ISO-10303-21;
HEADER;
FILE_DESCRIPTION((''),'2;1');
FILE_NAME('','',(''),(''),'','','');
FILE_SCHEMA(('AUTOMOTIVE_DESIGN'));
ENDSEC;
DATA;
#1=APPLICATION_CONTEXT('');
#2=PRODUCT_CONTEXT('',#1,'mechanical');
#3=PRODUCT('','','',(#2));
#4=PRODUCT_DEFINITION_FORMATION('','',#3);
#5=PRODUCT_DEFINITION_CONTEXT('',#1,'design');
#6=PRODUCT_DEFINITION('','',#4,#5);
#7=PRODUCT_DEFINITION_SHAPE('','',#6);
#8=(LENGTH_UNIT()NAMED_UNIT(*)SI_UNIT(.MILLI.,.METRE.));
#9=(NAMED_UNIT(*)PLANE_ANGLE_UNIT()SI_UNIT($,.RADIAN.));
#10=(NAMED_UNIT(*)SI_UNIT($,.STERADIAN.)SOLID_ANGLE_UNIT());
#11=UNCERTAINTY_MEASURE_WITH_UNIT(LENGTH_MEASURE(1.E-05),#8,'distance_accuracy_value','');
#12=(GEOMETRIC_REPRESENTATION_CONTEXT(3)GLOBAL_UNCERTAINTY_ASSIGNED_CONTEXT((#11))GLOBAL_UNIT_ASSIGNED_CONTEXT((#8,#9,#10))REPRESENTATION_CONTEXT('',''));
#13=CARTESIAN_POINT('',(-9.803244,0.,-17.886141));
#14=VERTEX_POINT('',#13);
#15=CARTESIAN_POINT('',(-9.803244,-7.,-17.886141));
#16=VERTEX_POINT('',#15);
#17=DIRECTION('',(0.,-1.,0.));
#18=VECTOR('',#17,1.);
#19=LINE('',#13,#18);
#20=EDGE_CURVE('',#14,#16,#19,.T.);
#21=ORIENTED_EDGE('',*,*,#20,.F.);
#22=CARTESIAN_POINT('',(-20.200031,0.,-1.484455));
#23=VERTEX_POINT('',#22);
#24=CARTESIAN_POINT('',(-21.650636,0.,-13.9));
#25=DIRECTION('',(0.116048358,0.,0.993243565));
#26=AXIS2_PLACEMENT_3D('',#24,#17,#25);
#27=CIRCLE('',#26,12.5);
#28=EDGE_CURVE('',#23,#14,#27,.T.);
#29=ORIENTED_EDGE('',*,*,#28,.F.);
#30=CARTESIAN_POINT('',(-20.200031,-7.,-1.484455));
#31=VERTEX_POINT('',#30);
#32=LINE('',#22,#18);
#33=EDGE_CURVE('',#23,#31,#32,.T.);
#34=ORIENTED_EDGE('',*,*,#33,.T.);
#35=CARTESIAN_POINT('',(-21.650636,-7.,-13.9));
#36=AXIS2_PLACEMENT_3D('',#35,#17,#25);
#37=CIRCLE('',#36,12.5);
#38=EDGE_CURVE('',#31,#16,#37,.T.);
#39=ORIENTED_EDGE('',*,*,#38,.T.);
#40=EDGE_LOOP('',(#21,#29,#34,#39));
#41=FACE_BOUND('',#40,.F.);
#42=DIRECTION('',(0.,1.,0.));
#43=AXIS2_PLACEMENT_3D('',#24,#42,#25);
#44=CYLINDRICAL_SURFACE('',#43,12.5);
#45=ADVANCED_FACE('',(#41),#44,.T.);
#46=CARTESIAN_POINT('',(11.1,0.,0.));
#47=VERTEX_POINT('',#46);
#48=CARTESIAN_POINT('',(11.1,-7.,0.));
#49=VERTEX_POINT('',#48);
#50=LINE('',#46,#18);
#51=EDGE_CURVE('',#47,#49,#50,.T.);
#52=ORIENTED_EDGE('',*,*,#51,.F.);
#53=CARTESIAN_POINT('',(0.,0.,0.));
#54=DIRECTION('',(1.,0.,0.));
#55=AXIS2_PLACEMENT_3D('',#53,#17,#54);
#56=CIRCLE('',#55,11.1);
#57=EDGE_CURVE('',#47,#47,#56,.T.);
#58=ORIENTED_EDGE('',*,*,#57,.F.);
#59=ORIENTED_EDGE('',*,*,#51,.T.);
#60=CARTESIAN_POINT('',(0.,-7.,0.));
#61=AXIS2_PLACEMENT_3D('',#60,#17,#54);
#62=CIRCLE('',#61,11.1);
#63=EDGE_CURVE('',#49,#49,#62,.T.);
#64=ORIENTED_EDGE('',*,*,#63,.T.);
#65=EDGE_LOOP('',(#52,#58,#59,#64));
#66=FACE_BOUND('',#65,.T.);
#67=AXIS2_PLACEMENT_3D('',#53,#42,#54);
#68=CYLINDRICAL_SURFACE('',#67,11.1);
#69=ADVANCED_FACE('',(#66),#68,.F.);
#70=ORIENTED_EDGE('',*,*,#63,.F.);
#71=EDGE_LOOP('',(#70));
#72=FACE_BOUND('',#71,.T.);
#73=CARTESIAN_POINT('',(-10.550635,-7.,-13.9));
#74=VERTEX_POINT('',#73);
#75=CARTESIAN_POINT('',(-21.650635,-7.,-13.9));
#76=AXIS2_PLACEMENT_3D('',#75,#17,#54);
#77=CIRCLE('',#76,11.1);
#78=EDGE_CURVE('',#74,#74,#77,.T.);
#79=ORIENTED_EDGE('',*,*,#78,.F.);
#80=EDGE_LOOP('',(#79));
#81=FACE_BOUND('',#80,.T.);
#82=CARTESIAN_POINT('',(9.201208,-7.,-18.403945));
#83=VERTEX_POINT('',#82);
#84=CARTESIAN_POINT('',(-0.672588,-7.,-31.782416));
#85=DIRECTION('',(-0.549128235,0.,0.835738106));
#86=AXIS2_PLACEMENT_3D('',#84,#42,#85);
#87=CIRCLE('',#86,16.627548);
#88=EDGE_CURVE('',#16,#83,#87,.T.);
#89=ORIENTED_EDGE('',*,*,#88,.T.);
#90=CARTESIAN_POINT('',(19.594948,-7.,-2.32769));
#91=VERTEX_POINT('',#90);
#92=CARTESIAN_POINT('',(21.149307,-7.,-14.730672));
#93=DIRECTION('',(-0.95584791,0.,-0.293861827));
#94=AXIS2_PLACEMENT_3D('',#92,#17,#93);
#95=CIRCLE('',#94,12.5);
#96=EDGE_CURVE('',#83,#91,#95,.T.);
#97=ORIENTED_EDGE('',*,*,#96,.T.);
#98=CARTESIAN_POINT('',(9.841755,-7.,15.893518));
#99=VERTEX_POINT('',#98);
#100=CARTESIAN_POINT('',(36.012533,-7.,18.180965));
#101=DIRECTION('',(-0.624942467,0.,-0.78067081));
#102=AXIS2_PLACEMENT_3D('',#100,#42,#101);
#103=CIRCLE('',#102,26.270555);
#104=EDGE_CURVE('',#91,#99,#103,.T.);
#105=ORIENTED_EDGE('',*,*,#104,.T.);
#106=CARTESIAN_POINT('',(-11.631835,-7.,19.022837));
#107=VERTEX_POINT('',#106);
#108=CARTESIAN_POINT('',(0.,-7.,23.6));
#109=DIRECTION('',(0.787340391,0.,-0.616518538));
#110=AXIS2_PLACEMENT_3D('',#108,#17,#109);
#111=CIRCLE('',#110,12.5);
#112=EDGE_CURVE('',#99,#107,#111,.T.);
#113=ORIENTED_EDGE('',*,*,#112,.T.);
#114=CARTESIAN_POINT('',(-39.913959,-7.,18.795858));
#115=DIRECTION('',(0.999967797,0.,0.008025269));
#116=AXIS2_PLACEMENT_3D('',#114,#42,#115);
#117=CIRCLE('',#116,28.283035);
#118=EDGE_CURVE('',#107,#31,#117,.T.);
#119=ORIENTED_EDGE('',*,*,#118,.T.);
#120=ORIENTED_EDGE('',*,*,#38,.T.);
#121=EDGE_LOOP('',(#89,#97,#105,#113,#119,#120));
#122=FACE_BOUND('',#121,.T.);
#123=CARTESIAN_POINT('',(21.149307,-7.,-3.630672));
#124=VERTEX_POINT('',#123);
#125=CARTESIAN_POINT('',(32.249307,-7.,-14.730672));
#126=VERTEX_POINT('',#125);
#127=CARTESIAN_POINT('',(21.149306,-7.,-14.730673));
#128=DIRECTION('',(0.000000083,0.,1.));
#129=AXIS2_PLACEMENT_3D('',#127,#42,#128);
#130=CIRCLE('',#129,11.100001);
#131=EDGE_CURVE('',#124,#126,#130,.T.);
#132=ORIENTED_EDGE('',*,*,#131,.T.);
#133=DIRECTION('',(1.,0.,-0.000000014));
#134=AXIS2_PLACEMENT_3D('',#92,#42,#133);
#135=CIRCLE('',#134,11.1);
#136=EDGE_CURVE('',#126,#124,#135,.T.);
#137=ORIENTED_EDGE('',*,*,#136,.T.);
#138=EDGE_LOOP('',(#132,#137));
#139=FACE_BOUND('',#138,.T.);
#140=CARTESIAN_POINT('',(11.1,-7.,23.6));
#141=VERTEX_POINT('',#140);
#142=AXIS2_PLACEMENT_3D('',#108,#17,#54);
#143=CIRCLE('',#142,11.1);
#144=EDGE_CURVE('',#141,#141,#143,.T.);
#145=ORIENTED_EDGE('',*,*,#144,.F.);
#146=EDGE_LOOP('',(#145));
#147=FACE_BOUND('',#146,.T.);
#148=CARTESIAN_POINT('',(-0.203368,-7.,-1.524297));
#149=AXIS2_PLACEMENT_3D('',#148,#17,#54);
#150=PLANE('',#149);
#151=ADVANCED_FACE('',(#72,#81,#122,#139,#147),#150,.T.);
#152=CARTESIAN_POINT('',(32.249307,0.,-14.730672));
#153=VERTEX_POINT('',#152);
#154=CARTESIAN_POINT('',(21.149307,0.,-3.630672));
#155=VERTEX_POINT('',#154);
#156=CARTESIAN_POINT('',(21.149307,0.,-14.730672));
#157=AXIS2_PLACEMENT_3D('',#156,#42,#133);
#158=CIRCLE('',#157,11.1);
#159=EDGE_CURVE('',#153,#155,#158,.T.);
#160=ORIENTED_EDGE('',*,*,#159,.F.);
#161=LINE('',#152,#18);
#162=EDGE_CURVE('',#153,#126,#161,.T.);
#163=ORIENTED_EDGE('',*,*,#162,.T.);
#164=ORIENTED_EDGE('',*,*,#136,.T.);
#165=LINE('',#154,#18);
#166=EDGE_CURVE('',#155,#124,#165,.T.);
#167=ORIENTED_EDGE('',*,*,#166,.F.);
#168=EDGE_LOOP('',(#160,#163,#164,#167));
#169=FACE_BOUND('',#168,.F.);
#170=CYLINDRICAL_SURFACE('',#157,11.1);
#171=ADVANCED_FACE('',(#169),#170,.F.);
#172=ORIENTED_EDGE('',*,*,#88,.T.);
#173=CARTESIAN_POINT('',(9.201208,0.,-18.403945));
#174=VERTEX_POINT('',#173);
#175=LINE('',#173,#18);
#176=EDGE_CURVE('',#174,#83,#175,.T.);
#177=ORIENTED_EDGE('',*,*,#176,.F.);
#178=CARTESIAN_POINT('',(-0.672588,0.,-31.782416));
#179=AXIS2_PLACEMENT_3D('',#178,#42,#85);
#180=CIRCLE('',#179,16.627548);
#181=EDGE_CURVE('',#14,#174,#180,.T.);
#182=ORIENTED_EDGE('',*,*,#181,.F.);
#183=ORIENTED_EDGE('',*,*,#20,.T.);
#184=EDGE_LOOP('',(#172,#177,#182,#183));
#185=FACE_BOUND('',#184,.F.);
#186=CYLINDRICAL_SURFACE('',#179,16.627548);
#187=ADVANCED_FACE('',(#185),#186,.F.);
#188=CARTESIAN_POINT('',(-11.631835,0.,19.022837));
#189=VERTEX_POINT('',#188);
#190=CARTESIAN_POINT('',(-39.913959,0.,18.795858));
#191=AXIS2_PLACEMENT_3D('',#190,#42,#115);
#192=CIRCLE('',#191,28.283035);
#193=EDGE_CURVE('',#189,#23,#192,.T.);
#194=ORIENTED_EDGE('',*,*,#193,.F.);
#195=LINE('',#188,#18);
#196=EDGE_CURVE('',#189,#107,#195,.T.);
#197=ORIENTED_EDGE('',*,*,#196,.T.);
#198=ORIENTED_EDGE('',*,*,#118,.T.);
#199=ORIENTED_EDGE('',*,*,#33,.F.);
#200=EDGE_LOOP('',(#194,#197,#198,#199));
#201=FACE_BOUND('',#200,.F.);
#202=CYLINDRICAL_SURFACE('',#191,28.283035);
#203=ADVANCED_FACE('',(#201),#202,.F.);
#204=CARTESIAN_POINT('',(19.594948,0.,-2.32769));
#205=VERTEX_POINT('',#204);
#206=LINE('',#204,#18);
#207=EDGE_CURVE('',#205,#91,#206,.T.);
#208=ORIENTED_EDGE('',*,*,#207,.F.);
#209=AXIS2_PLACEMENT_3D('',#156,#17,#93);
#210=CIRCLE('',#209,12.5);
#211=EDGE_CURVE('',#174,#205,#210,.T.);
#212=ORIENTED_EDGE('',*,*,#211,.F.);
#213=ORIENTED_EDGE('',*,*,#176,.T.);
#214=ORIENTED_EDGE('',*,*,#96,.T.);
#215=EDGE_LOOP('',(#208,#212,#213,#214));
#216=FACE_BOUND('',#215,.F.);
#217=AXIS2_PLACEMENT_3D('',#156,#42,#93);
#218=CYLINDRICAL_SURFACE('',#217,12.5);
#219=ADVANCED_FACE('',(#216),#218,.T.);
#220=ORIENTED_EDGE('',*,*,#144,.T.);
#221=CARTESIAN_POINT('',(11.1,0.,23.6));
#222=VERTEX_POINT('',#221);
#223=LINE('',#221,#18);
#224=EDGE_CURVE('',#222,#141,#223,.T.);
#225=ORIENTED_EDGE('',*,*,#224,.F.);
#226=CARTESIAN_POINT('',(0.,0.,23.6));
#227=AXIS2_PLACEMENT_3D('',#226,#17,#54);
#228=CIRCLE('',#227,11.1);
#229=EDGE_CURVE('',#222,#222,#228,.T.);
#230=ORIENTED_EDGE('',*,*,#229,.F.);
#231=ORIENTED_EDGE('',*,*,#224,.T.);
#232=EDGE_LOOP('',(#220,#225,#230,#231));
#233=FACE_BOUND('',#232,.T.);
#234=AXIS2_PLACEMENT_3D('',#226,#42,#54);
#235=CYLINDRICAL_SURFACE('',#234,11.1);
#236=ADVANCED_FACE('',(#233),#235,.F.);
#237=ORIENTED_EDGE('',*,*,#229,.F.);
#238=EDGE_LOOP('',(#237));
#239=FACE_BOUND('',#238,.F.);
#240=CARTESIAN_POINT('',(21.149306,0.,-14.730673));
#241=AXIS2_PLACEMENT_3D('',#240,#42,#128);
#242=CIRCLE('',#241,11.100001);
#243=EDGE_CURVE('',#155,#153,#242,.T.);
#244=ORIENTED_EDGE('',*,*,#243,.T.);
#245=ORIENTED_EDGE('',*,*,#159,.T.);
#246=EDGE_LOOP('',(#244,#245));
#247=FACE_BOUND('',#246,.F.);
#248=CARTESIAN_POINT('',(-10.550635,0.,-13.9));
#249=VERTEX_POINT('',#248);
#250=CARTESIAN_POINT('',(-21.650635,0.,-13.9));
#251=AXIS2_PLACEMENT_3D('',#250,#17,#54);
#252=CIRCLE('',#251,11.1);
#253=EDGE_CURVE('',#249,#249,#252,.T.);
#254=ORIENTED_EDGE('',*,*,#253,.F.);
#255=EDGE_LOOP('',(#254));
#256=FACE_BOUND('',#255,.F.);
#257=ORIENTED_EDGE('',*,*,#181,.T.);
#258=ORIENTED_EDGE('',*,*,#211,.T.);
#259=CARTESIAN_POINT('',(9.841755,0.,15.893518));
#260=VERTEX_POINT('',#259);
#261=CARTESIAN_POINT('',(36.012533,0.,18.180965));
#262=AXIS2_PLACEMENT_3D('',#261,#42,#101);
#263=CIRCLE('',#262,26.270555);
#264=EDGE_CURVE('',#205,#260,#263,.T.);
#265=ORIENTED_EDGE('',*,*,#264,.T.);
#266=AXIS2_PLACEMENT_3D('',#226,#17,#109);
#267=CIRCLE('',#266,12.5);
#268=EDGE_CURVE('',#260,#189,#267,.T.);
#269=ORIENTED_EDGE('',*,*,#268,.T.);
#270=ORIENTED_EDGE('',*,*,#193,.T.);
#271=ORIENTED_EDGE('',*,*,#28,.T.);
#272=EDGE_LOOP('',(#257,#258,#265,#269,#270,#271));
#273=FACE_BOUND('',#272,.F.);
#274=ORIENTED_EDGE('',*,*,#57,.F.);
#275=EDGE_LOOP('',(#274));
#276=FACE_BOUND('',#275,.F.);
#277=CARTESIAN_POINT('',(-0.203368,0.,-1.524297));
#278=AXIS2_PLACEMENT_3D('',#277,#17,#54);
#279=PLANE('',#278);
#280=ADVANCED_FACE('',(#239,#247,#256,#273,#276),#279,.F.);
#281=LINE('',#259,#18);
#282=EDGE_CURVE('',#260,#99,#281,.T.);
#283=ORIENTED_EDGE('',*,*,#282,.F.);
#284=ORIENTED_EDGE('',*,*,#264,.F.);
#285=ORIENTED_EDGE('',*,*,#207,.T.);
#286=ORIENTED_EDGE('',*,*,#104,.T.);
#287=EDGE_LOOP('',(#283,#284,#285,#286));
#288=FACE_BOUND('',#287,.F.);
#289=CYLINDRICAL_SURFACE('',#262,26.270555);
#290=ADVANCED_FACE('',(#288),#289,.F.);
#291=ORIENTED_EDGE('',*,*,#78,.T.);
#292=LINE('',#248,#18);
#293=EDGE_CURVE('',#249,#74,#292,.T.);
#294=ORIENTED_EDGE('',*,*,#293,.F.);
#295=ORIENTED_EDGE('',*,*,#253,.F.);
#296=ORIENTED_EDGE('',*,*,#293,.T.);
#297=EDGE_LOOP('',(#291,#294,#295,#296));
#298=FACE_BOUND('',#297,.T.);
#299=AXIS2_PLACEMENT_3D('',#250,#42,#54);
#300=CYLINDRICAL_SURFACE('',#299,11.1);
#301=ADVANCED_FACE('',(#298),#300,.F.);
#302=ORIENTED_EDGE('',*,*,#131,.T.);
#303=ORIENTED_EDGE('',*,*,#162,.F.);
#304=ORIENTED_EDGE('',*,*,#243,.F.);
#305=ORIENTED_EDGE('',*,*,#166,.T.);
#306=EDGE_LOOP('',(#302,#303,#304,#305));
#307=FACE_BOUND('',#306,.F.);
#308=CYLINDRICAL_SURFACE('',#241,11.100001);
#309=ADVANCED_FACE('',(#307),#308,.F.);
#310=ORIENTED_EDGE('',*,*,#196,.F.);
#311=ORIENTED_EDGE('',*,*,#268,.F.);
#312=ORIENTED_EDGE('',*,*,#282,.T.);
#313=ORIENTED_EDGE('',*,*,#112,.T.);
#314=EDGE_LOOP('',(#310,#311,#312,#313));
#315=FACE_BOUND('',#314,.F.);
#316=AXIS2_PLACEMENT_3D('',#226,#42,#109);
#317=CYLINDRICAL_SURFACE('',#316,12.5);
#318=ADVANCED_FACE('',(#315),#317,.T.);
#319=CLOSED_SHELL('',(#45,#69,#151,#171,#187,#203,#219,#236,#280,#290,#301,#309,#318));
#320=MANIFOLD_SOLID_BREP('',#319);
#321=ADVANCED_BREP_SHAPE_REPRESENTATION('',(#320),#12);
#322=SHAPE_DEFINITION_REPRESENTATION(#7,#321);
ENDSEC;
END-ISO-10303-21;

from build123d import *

# Parameters (mm, degrees)
F0_R     = 11.1
F1_DEPTH = 7


with BuildPart() as f1:
    # F0 (on Front) → F1 (new body)
    with BuildSketch(Plane.XZ):
        with BuildLine():
            ThreePointArc((-11.631835, 19.022837), (-13.817168, 7.892301), (-20.200031, -1.484455))
            ThreePointArc((-20.200031, -1.484455), (-32.208239, -20.59231), (-9.803244, -17.886141))
            ThreePointArc((-9.803244, -17.886141), (-0.219714, -15.161037), (9.201208, -18.403945))
            ThreePointArc((9.201208, -18.403945), (31.646477, -21.517381), (19.594948, -2.32769))
            ThreePointArc((19.594948, -2.32769), (12.851245, 5.783515), (9.841755, 15.893518))
            ThreePointArc((9.841755, 15.893518), (1.802569, 35.969347), (-11.631835, 19.022837))
        make_face()
        with Locations((-21.650635, -13.9)):
            Circle(F0_R, mode=Mode.SUBTRACT)
        with BuildLine():
            ThreePointArc((21.149307, -3.630672), (28.998192, -6.881787), (32.249307, -14.730672))
            ThreePointArc((32.249307, -14.730672), (13.300422, -22.579557), (21.149307, -3.630672))
        make_face(mode=Mode.SUBTRACT)
        Circle(F0_R, mode=Mode.SUBTRACT)
        with Locations((0, 23.6)):
            Circle(F0_R, mode=Mode.SUBTRACT)
    extrude(amount=F1_DEPTH)


solid = f1.part
